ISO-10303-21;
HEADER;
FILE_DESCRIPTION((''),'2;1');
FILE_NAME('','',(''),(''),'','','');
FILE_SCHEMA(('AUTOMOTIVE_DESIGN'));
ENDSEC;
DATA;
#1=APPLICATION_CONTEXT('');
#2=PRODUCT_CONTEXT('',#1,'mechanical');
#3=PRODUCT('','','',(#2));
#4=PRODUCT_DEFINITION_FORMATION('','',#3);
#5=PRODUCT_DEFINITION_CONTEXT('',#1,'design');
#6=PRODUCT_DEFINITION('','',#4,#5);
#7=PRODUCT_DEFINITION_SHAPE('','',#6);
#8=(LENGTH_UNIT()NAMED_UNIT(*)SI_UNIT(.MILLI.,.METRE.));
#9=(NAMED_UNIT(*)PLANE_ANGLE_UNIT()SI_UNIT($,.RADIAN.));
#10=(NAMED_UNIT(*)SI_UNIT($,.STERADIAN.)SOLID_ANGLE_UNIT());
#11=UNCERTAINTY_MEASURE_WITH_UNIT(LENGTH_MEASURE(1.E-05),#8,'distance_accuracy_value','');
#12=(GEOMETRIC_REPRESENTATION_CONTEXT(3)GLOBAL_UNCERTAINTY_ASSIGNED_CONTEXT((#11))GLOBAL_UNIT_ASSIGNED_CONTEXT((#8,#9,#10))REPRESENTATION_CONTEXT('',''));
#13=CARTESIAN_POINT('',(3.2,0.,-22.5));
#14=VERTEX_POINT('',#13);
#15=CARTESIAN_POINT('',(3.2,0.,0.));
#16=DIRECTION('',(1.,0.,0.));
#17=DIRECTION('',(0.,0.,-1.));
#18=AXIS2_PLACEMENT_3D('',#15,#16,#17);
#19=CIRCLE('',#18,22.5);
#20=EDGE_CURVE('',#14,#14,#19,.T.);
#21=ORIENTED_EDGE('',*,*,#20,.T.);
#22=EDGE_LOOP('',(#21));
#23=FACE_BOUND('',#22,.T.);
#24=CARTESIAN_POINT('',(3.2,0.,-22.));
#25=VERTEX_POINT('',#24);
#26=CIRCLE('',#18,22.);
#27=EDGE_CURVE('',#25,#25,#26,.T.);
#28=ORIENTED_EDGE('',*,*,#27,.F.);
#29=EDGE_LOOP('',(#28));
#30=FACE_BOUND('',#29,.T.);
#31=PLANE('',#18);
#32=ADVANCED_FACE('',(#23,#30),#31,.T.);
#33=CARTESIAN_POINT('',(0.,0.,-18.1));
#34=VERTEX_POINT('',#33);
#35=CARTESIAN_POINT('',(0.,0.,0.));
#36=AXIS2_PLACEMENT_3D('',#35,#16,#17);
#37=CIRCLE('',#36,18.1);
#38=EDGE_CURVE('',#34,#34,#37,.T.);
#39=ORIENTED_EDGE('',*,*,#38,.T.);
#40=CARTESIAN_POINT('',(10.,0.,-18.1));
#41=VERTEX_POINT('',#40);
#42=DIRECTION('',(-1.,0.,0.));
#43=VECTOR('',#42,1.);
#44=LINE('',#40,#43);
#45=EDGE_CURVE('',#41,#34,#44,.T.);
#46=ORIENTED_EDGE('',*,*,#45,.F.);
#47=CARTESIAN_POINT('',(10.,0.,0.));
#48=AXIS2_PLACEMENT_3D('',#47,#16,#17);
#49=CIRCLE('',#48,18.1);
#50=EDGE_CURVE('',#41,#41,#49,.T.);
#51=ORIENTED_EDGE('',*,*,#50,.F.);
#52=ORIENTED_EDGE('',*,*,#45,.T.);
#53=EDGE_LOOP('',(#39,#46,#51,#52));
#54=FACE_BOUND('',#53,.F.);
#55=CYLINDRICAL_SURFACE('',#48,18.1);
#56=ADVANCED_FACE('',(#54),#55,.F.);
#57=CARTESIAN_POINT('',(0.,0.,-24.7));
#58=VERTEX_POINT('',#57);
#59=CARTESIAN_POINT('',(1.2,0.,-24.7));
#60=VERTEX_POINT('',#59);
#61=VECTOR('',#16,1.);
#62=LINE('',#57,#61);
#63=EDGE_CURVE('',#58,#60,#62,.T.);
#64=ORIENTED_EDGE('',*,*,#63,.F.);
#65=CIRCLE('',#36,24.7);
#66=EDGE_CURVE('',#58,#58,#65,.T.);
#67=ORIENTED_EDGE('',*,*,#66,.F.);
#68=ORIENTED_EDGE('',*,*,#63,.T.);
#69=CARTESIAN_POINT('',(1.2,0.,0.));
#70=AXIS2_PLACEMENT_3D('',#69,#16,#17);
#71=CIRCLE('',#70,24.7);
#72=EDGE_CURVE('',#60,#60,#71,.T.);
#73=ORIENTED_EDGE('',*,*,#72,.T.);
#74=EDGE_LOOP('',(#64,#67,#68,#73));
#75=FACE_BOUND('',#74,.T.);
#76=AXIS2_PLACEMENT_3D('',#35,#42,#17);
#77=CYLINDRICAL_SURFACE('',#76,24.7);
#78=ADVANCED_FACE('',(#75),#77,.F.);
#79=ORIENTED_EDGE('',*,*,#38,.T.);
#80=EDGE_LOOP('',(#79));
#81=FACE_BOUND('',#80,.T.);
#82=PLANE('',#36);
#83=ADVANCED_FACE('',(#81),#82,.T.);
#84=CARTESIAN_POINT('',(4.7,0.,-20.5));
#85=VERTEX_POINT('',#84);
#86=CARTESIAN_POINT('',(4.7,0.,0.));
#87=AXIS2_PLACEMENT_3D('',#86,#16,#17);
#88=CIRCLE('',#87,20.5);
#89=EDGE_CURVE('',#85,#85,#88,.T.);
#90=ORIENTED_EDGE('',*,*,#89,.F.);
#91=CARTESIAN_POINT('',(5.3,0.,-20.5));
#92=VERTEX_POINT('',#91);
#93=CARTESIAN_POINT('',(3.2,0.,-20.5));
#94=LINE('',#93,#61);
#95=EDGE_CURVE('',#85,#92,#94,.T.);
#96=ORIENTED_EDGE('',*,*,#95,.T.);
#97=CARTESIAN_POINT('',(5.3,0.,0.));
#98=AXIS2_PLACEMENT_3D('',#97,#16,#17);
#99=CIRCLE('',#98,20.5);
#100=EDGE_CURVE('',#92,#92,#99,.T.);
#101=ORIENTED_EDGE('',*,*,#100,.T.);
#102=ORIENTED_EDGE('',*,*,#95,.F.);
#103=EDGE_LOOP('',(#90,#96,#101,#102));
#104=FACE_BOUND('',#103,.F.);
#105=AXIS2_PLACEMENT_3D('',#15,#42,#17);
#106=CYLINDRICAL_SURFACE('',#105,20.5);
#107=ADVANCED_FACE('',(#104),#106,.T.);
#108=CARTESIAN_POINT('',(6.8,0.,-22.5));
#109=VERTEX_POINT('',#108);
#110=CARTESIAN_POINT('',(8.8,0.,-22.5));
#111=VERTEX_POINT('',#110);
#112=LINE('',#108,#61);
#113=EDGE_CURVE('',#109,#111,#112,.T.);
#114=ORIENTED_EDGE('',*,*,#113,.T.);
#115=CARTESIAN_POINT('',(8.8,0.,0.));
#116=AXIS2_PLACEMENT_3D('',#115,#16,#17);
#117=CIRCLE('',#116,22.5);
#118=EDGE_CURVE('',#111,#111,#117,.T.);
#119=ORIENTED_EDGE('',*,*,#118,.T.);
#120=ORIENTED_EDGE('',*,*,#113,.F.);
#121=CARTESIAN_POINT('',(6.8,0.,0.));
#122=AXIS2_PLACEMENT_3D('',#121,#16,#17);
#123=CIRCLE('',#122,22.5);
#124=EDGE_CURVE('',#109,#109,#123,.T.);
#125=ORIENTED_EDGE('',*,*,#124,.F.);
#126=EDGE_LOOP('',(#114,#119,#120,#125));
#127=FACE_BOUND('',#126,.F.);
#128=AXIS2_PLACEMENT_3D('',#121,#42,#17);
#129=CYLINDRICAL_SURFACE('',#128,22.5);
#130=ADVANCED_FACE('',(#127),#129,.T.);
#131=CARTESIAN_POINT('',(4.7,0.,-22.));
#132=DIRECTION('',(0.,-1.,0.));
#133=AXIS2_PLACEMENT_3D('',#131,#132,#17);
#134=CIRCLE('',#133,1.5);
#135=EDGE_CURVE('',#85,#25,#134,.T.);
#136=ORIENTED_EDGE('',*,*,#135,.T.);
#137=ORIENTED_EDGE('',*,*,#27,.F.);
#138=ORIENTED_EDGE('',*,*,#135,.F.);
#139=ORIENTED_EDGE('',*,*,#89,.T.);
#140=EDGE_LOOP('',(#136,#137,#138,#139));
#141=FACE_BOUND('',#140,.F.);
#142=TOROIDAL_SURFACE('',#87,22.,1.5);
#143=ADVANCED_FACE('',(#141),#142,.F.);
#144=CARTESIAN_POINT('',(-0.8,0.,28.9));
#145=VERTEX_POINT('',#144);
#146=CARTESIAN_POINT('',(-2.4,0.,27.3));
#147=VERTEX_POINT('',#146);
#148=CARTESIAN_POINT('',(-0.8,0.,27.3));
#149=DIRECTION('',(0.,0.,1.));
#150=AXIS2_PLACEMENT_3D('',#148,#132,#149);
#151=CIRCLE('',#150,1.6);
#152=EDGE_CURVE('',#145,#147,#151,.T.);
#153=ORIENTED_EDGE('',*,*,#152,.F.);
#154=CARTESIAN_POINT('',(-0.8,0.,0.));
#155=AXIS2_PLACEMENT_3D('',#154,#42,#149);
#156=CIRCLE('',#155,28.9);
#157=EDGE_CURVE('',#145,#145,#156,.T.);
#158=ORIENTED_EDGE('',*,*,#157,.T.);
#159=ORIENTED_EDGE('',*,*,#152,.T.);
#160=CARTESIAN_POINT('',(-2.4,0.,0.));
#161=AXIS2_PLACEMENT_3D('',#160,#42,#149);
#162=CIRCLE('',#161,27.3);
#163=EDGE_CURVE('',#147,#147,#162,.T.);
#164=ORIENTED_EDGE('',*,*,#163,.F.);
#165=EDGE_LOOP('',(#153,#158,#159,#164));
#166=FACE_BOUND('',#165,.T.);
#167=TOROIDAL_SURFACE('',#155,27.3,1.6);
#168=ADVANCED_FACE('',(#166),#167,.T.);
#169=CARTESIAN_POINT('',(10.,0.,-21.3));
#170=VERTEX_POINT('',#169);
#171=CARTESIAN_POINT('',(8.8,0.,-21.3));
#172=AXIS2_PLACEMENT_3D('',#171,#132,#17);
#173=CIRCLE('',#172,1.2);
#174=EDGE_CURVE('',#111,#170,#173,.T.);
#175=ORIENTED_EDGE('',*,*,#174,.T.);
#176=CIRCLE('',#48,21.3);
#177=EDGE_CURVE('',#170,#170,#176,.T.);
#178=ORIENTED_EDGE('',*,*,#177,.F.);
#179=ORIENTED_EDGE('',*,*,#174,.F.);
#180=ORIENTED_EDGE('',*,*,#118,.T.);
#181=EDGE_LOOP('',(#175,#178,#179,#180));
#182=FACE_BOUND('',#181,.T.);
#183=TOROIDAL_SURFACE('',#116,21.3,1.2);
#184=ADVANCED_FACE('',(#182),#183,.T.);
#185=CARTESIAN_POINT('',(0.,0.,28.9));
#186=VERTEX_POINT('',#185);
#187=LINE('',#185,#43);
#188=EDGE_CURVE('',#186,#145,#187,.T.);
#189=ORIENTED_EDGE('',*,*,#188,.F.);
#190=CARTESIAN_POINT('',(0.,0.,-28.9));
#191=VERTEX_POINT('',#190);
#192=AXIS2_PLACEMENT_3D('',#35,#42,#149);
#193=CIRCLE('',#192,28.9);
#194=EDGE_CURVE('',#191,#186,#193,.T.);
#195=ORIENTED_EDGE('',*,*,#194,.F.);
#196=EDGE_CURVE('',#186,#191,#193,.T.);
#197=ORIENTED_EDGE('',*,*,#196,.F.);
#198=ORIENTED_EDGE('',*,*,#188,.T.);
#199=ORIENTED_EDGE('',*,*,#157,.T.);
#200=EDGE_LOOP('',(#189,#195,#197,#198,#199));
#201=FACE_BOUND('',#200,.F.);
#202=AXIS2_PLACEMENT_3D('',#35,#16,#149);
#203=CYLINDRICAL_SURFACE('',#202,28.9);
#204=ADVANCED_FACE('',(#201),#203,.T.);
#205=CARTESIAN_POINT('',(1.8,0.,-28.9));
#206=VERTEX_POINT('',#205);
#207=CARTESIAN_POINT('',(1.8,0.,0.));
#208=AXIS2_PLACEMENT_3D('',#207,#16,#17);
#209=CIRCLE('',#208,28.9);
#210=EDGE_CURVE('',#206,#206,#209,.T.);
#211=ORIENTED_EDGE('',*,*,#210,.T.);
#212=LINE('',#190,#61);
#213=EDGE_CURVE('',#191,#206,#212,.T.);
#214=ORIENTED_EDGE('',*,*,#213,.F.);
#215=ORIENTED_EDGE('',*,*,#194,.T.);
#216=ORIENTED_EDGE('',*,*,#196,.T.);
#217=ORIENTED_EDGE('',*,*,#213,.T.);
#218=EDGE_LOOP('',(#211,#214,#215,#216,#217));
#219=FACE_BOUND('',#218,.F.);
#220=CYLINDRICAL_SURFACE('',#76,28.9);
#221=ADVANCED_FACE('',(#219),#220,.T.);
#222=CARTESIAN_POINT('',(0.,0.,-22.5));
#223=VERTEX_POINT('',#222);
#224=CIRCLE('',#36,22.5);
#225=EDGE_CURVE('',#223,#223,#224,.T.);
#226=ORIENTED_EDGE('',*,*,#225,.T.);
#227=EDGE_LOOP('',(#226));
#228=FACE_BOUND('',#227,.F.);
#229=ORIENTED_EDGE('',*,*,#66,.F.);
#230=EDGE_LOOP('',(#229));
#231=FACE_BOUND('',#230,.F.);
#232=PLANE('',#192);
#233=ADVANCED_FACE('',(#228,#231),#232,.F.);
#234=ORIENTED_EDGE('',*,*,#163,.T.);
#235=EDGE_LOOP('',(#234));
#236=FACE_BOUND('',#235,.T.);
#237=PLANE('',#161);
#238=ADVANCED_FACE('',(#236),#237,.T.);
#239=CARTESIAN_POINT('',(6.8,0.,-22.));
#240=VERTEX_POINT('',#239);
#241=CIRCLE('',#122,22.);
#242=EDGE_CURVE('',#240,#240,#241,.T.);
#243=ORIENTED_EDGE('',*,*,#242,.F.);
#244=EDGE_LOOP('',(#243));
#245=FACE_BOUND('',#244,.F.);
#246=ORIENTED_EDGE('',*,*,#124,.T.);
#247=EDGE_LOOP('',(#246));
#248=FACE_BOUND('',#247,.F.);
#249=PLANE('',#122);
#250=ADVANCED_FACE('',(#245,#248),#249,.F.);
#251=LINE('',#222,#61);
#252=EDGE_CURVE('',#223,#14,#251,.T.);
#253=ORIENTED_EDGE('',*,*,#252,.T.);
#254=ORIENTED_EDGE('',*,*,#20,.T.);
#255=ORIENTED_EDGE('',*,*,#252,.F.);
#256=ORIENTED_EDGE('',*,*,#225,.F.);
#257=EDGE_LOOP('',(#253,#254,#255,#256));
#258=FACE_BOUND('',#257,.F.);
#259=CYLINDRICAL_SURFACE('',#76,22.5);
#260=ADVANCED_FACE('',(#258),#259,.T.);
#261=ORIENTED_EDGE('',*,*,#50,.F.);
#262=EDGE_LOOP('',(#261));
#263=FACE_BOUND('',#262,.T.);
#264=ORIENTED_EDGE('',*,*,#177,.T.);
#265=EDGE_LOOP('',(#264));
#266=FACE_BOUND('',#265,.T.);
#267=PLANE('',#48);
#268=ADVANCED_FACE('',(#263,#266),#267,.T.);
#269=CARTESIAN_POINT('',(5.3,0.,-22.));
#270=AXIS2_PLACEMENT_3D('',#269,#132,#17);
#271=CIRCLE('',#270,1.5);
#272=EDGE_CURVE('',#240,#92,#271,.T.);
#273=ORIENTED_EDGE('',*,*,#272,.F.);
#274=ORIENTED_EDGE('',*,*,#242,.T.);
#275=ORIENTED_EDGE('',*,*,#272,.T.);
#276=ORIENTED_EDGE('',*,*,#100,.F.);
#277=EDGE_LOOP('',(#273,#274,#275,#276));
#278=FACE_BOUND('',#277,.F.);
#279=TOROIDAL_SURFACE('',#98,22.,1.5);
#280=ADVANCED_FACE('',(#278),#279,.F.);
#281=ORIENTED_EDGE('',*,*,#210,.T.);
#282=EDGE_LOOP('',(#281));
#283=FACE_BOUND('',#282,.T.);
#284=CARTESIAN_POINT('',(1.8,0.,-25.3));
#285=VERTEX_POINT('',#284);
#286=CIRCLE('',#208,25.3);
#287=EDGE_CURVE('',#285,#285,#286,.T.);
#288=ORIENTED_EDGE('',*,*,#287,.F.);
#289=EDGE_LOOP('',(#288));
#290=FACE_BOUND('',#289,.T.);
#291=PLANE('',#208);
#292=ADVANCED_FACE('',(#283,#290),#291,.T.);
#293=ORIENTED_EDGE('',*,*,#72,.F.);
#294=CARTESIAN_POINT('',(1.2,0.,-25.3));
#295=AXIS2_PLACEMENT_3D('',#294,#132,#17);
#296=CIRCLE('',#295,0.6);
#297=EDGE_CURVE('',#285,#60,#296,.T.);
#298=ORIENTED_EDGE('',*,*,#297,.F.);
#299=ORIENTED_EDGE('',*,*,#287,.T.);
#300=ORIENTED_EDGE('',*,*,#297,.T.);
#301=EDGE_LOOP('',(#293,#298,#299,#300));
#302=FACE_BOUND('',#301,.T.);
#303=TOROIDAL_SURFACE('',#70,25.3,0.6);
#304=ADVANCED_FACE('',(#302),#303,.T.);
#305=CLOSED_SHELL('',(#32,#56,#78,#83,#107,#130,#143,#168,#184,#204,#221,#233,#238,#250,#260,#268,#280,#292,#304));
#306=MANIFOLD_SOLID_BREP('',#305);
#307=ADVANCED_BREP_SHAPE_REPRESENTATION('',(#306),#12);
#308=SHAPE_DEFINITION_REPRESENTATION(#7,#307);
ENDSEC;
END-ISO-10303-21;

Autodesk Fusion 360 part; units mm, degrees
sketch "Sketch1" plane through (0, 0, 0) normal (1, 0, 0) x (0, 0, -1)
  circle A0 centre (0, 0) radius 22.5
  dimension "d1" = 45
extrude "Extrude1" add sketch "Sketch1" along normal blind 3.2
sketch "Sketch2" plane through (3.2, 0, 0) normal (1, 0, 0) x (0, 0, -1)
  circle A0 centre (0, 0) radius 22.5
  circle A1 centre (0, 0) radius 20.5
  dimension "d4" = 41
extrude "Extrude2" add sketch "Sketch2" along normal blind 3.6 contours A1
sketch "Sketch3" plane through (6.8, 0, 0) normal (1, 0, 0) x (0, 0, -1)
  circle A0 centre (0, 0) radius 20.5
  circle A1 centre (0, 0) radius 22.5
  dimension "d7" = 45
extrude "Extrude3" add sketch "Sketch3" along normal blind 3.2 contours A0 | A1
fillet "Fillet1" radius 1.5 2 edges at (3.2, 7.4131, 19.1127) (6.8, -7.4131, 19.1127)
sketch "Sketch4" plane through (0, 0, 0) normal (-1, 0, 0) x (0, 0, 1)
  circle A0 centre (0, 0) radius 22.5
  circle A1 centre (0, 0) radius 28.9
  dimension "d11" = 57.8
extrude "Extrude4" add sketch "Sketch4" along normal blind 2.4 contours A0 | A1
sketch "Sketch5" plane through (0, 0, 0) normal (1, 0, 0) x (0, 0, -1)
  circle A0 centre (0, 0) radius 28.9
  circle A1 centre (0, 0) radius 22.5
  circle A2 centre (0, 0) radius 24.7
  dimension "d14" = 49.4
extrude "Extrude5" add sketch "Sketch5" along normal blind 1.8 contours A0
sketch "Sketch6" plane through (10, 0, 0) normal (1, 0, 0) x (0, 0, -1)
  circle A0 centre (0, 0) radius 22.5
  circle A1 centre (0, 0) radius 20.5
  circle A2 centre (0, 0) radius 18.1
  dimension "d17" = -2.4
extrude "Extrude6" cut sketch "Sketch6" against normal blind 10 contours A2
fillet "Fillet2" radius 1.2 1 edges at (10, -8.1363, 20.9774)
fillet "Fillet3" radius 1.6 1 edges at (-2.4, -10.4507, -26.9443)
fillet "Fillet4" radius 0.6 1 edges at (1.8, 8.9319, 23.0285)
equation "d4 = 44 mm - 3 mm"
